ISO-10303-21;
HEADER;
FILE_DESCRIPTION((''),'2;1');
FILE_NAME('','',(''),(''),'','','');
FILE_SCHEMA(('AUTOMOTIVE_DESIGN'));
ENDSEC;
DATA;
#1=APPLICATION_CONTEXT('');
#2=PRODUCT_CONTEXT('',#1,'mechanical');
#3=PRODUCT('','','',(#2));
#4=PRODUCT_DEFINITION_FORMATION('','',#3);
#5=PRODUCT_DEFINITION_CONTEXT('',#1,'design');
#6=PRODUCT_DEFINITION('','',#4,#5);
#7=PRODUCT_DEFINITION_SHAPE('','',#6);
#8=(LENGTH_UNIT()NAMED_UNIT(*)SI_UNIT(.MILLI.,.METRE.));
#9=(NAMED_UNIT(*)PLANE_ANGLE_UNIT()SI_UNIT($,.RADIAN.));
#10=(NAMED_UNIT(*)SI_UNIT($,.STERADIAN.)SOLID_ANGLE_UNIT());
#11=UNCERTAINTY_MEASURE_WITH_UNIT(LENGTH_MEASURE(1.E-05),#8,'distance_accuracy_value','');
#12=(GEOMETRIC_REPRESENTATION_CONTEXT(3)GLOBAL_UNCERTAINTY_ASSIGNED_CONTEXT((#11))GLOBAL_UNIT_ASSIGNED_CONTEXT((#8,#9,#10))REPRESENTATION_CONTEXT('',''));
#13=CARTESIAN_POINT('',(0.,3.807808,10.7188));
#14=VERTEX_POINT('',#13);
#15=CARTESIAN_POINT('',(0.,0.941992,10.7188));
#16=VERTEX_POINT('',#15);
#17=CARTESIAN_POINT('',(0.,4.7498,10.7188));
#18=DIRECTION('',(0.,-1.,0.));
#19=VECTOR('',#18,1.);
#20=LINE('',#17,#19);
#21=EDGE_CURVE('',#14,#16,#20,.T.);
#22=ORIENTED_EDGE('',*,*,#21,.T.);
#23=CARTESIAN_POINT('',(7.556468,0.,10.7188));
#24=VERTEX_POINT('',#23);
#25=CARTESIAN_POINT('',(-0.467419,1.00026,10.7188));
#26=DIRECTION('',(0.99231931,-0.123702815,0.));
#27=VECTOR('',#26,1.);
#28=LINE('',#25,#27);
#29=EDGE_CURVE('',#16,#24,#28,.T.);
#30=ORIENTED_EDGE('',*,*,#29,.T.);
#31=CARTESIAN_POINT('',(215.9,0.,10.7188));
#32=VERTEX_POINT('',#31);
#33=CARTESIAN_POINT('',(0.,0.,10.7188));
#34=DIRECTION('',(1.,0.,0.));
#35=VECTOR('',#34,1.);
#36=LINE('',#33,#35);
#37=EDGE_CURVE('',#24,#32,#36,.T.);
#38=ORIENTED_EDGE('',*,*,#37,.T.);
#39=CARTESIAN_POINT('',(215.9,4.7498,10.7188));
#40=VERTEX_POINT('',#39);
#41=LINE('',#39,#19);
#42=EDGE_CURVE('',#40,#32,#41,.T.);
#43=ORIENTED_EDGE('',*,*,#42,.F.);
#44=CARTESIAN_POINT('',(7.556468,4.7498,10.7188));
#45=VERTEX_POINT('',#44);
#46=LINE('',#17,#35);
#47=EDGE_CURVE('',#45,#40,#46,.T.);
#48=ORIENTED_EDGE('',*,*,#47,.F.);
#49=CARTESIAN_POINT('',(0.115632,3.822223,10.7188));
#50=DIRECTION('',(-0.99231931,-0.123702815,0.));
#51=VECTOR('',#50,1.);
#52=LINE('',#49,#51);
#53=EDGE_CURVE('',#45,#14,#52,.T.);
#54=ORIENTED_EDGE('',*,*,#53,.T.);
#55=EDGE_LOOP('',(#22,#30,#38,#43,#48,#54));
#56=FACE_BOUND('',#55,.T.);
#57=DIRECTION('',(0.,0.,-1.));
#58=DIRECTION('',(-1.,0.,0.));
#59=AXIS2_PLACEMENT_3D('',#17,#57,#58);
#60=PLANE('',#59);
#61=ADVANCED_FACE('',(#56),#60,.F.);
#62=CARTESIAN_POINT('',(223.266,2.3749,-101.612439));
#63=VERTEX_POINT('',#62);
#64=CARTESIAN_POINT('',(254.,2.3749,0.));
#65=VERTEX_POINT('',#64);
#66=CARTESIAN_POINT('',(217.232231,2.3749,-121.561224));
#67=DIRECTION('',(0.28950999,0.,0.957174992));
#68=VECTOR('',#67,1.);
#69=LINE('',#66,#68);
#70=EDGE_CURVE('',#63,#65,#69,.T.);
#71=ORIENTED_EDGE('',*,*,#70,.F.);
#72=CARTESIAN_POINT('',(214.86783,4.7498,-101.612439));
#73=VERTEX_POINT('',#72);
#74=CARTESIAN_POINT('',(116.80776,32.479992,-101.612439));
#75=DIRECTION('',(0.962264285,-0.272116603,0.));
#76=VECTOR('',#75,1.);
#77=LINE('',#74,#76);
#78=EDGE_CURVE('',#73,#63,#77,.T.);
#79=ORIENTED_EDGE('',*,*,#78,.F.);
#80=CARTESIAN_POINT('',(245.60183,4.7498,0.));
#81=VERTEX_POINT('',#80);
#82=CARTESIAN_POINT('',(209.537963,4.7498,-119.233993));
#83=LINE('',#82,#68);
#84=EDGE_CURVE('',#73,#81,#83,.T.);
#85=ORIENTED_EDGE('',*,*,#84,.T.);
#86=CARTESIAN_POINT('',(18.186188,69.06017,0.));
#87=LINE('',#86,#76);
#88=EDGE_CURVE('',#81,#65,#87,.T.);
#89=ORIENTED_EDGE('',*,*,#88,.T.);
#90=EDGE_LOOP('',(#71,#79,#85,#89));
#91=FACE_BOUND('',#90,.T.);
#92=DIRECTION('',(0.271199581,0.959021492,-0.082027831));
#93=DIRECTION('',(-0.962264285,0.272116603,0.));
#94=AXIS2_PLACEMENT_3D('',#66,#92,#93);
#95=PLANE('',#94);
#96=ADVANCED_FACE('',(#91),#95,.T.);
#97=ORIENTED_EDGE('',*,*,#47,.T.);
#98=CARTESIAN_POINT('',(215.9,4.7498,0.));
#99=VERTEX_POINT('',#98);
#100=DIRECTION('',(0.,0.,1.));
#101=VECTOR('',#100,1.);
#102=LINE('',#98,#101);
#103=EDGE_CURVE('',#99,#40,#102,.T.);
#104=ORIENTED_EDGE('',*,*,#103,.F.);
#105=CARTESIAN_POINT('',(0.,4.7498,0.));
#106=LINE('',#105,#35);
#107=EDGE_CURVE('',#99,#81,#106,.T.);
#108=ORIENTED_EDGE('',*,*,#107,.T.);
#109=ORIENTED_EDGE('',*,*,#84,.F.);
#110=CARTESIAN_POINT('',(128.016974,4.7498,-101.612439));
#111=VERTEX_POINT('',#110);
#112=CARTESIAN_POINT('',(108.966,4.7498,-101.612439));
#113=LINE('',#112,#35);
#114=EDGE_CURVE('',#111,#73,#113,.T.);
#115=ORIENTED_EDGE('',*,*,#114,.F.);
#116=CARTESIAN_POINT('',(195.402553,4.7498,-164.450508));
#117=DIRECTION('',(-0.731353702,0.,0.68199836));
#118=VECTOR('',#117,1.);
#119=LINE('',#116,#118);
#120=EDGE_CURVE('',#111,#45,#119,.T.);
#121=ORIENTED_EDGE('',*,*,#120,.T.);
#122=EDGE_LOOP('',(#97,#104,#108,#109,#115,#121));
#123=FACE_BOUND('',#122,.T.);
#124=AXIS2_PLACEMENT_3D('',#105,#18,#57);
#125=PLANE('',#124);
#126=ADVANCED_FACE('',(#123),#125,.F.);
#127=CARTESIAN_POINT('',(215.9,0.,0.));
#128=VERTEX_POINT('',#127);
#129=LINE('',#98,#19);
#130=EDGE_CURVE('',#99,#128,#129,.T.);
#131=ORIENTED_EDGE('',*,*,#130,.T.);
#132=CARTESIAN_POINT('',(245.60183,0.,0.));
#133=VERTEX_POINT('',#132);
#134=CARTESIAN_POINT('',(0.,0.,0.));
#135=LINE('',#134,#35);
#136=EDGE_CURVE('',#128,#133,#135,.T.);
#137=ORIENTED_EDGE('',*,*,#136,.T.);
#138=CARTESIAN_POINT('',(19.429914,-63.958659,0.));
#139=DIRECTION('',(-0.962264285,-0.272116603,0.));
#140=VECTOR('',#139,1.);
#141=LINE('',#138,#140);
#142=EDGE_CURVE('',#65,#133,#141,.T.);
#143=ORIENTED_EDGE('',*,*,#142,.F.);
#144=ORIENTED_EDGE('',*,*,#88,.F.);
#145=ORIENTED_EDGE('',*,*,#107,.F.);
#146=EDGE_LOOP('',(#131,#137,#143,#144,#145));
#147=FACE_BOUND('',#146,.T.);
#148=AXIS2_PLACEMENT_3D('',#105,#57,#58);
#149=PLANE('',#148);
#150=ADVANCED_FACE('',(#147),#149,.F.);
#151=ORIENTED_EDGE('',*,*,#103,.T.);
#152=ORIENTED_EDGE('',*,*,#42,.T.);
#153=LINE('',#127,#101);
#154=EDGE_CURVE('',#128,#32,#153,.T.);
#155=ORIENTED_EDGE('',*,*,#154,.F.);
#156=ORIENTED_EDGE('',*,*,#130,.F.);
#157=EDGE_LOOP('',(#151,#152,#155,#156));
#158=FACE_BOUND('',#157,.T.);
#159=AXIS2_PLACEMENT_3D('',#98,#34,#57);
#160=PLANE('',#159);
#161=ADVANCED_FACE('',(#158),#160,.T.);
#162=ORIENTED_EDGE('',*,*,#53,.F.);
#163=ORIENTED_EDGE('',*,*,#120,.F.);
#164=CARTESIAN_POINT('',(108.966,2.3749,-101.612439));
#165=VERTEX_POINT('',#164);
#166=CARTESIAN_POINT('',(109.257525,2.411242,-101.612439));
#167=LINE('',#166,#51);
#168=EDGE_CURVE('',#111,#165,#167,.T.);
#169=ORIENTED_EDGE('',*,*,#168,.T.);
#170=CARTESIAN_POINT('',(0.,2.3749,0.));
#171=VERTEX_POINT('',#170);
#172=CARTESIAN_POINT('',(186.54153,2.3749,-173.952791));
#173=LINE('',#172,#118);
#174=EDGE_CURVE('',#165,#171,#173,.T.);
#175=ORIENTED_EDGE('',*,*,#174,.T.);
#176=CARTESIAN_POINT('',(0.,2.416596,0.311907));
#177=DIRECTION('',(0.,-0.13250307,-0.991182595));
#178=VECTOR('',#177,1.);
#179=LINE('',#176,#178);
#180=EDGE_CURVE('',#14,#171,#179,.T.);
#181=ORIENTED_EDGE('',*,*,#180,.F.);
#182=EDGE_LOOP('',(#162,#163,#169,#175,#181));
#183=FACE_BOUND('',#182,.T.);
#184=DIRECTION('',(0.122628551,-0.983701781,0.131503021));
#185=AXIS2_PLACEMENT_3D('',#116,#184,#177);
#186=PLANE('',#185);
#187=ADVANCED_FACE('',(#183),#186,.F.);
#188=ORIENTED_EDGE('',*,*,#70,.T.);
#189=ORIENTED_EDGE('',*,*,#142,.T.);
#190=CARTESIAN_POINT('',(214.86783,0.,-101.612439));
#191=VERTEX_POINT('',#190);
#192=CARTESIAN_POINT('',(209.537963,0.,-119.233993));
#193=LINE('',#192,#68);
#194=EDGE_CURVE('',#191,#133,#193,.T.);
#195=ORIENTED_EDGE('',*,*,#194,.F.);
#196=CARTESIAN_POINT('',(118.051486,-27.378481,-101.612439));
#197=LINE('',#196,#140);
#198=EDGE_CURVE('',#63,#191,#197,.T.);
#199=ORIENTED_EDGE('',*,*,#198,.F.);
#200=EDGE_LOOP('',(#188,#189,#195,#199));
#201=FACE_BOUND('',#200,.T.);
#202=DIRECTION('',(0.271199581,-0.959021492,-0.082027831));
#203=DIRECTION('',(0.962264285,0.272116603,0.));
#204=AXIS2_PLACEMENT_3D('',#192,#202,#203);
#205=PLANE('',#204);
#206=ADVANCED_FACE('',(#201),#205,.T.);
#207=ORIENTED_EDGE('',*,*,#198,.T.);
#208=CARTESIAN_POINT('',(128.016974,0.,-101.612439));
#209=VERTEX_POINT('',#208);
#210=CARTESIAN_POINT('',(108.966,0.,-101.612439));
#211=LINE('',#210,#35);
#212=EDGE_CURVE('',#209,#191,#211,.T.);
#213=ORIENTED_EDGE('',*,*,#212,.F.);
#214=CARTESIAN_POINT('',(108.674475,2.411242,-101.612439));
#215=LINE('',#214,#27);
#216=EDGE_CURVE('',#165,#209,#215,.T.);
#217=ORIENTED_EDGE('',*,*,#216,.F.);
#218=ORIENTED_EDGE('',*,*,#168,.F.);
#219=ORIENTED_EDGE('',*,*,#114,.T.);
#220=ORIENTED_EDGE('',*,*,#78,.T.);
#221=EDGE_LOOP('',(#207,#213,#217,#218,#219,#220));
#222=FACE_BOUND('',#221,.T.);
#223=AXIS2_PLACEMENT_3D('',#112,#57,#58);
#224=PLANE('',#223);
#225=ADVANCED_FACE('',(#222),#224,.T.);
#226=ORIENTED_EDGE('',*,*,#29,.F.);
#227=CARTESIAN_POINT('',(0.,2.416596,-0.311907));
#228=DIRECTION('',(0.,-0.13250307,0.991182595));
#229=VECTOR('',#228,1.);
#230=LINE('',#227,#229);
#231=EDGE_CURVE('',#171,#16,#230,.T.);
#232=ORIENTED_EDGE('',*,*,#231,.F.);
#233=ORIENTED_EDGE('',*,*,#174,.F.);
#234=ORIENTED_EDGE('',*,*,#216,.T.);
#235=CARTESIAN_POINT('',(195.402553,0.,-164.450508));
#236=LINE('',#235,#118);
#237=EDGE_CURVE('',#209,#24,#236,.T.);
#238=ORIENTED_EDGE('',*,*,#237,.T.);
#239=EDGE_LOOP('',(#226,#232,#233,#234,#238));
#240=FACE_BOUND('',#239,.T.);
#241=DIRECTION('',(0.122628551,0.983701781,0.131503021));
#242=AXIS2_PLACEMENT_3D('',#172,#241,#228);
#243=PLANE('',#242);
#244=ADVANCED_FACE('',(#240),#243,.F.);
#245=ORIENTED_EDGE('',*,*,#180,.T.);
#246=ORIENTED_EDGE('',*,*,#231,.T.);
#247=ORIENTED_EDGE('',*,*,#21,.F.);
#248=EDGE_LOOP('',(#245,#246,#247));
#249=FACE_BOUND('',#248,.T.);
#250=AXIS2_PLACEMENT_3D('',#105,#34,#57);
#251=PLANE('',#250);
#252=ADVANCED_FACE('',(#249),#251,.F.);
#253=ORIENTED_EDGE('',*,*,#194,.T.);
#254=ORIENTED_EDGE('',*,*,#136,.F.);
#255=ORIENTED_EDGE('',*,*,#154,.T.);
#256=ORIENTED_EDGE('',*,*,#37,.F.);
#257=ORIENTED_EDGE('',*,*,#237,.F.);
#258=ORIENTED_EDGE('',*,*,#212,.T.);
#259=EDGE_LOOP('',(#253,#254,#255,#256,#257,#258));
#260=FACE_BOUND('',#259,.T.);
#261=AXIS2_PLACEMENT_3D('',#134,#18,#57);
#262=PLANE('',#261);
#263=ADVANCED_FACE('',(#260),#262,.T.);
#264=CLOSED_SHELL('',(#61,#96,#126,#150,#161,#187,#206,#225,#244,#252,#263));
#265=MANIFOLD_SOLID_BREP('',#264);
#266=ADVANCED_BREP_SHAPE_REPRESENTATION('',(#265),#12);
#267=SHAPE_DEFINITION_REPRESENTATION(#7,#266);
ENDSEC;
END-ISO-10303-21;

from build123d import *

# Parameters (mm, degrees)
SKETCH2_W               = 215.9
SKETCH2_H               = 10.7188
BOSS_EXTRUDE1_DEPTH     = 4.7498
CUT_EXTRUDE1_DEPTH      = 127
CUT_EXTRUDE2_DEPTH      = 184.509479274
CUT_EXTRUDE2_DEPTH_BACK = 184.509479274


with BuildPart() as part:
    # Sketch2 → Boss-Extrude1 (new body)
    with BuildSketch(Plane(origin=(0, 0, 0), x_dir=(1, 0, 0), z_dir=(0, 1, 0))):
        Polygon((108.966, 101.612438876), (0, 0), (215.9, 0), (254, 0), (223.266, 101.612438876), align=None)
        with Locations((107.95, -5.3594)):
            Rectangle(SKETCH2_W, SKETCH2_H)
    extrude(amount=BOSS_EXTRUDE1_DEPTH)

    # Sketch11 → Cut-Extrude1 (cut)
    with BuildSketch(Plane(origin=(21.289272777, 0, 70.386377589), x_dir=(-0.9571749920693967, 0, 0.2895099904268422), z_dir=(-0.2895099904268422, 0, -0.9571749920693967))):
        Polygon((-243.122447986, 2.3749), (-235.083929839, 4.7498), (-235.083929839, 6.735693681), (-246.008613283, 6.735693681), (-246.008613283, -1.683735196), (-235.083929839, -1.683735196), (-235.083929839, 0), align=None)
    extrude(amount=CUT_EXTRUDE1_DEPTH, mode=Mode.SUBTRACT)

    # Sketch9 → Cut-Extrude2 (cut, two sides: drawn at the far end of the back side and taken through both)
    with BuildSketch(Plane(origin=(108.966, 0, -101.612438876), x_dir=(0.6819983600624973, 0, 0.7313537016191718), z_dir=(-0.7313537016191718, 0, 0.6819983600624973)).offset(-CUT_EXTRUDE2_DEPTH_BACK)):
        Polygon((0, 2.3749), (12.992733122, 0), (12.992733122, -1.975315997), (-2.377492565, -1.975315997), (-2.377492565, 7.448660166), (12.992733122, 7.448660166), (12.992733122, 4.7498), align=None)
    extrude(amount=CUT_EXTRUDE2_DEPTH + CUT_EXTRUDE2_DEPTH_BACK, mode=Mode.SUBTRACT)


solid = part.part
